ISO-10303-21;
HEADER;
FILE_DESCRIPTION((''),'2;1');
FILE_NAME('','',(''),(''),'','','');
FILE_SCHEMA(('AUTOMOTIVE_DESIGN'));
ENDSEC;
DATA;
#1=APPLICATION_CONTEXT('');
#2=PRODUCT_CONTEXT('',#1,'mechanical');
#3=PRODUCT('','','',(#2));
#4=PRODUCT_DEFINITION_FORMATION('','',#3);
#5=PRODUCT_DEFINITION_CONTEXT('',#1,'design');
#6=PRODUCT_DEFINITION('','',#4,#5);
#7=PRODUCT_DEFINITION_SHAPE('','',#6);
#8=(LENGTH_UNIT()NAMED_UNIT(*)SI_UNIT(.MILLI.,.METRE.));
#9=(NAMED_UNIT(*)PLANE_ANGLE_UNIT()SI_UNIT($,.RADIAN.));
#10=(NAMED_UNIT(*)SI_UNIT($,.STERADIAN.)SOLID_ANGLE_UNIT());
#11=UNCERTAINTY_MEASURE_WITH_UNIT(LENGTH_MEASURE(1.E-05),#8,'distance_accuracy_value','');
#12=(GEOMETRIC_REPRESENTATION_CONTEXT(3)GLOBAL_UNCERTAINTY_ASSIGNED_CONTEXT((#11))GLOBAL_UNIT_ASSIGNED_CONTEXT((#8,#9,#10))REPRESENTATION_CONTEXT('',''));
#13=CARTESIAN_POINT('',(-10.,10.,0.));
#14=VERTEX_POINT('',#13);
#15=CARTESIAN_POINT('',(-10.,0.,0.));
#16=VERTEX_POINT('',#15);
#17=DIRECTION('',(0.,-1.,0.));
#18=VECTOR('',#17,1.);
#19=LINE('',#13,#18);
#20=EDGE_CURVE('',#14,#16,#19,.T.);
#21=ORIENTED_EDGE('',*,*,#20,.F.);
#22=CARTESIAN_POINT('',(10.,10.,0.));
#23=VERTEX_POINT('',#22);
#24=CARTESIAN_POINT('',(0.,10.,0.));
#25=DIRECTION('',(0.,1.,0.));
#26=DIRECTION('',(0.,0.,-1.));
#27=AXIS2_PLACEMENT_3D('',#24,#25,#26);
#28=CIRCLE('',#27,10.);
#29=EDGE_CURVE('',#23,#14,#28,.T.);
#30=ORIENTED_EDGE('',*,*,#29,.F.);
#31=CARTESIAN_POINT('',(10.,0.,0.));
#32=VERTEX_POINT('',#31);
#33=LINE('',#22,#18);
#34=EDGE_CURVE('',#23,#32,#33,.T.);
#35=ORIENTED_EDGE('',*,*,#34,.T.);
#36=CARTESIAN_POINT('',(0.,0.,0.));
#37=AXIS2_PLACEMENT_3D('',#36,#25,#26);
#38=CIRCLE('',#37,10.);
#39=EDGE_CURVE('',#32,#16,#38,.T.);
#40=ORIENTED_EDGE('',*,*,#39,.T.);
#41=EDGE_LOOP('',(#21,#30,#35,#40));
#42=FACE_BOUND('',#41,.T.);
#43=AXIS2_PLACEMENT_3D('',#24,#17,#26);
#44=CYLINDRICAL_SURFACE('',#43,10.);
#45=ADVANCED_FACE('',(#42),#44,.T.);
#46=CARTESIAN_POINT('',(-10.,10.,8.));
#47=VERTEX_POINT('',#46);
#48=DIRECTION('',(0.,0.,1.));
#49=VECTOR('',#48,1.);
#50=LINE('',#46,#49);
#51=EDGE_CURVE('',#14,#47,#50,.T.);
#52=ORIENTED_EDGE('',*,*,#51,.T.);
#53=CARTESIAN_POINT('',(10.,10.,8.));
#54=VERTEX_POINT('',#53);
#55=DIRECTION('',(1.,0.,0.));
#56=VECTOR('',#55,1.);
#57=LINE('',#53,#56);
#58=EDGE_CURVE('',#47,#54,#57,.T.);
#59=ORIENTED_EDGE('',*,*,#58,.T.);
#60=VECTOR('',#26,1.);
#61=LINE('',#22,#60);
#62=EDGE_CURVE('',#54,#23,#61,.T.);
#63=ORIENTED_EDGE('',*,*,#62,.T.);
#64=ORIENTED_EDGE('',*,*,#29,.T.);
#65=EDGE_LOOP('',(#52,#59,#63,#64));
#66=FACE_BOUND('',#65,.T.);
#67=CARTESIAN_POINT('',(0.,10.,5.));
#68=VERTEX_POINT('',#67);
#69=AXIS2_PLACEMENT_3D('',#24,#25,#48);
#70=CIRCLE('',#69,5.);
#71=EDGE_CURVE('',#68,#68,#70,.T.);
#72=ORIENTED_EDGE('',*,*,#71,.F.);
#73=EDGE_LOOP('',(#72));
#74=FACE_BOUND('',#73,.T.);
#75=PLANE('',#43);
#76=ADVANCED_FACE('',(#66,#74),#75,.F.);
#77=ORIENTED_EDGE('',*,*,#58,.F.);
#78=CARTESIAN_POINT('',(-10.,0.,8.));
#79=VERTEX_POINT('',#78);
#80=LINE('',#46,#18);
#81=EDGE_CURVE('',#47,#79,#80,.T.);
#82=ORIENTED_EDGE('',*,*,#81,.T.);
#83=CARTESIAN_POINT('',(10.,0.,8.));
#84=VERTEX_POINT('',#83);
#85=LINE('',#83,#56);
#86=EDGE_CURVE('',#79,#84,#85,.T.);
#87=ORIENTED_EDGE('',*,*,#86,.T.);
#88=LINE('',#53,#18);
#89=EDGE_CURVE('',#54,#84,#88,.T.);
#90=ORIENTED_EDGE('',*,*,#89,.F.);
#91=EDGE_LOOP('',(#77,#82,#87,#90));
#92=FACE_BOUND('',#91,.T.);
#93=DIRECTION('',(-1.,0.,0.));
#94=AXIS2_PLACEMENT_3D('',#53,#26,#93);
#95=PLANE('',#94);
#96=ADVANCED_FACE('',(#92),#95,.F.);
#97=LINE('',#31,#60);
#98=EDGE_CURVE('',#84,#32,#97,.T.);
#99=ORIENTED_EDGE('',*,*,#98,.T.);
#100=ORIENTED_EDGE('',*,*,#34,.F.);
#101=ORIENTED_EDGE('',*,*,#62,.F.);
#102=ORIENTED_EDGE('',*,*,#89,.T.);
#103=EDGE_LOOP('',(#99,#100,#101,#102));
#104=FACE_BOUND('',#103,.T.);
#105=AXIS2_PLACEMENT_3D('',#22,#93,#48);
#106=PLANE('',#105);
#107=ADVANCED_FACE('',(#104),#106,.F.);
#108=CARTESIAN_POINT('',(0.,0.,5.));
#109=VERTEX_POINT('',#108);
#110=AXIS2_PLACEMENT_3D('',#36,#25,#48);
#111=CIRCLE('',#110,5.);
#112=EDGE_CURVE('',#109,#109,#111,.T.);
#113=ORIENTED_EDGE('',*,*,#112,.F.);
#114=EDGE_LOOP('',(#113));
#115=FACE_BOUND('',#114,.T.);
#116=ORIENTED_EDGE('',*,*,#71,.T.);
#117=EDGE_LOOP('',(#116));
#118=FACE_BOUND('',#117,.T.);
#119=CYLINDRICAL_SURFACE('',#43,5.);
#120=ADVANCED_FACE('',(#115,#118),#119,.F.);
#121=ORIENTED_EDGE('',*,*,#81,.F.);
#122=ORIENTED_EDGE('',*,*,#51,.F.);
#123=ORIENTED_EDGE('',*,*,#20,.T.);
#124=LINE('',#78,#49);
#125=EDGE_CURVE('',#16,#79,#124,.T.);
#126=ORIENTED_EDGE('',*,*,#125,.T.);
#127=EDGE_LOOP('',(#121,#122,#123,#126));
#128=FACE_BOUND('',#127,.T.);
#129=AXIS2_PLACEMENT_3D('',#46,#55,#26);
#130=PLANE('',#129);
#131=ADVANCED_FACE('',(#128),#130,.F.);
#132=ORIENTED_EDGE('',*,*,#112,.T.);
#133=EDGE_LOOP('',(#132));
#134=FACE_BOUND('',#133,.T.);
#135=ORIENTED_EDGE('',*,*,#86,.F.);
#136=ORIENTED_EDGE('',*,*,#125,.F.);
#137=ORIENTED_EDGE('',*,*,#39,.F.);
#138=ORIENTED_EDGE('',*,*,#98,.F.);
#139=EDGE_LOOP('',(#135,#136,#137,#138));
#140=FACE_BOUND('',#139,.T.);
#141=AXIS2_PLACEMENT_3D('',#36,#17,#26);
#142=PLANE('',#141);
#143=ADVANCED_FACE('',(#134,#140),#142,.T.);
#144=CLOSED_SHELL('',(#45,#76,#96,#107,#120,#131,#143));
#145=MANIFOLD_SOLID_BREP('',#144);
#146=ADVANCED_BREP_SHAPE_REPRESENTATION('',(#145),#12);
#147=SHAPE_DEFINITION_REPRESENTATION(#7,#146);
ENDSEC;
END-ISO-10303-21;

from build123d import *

# Parameters (mm, degrees)
SKETCH1_R           = 5
BOSS_EXTRUDE2_DEPTH = 10


with BuildPart() as part:
    # Sketch1 → Boss-Extrude2 (new body)
    with BuildSketch(Plane(origin=(0, 0, 0), x_dir=(1, 0, 0), z_dir=(0, 1, 0))):
        with BuildLine():
            Line((-10, -8), (-10, 0))
            ThreePointArc((-10, 0), (0, 10), (10, 0))
            Line((10, 0), (10, -8))
            Line((10, -8), (-10, -8))
        make_face()
        with Locations(Location((0, 0, 0), (0, 0, 270))):
            Circle(SKETCH1_R, mode=Mode.SUBTRACT)
    extrude(amount=BOSS_EXTRUDE2_DEPTH)


solid = part.part
